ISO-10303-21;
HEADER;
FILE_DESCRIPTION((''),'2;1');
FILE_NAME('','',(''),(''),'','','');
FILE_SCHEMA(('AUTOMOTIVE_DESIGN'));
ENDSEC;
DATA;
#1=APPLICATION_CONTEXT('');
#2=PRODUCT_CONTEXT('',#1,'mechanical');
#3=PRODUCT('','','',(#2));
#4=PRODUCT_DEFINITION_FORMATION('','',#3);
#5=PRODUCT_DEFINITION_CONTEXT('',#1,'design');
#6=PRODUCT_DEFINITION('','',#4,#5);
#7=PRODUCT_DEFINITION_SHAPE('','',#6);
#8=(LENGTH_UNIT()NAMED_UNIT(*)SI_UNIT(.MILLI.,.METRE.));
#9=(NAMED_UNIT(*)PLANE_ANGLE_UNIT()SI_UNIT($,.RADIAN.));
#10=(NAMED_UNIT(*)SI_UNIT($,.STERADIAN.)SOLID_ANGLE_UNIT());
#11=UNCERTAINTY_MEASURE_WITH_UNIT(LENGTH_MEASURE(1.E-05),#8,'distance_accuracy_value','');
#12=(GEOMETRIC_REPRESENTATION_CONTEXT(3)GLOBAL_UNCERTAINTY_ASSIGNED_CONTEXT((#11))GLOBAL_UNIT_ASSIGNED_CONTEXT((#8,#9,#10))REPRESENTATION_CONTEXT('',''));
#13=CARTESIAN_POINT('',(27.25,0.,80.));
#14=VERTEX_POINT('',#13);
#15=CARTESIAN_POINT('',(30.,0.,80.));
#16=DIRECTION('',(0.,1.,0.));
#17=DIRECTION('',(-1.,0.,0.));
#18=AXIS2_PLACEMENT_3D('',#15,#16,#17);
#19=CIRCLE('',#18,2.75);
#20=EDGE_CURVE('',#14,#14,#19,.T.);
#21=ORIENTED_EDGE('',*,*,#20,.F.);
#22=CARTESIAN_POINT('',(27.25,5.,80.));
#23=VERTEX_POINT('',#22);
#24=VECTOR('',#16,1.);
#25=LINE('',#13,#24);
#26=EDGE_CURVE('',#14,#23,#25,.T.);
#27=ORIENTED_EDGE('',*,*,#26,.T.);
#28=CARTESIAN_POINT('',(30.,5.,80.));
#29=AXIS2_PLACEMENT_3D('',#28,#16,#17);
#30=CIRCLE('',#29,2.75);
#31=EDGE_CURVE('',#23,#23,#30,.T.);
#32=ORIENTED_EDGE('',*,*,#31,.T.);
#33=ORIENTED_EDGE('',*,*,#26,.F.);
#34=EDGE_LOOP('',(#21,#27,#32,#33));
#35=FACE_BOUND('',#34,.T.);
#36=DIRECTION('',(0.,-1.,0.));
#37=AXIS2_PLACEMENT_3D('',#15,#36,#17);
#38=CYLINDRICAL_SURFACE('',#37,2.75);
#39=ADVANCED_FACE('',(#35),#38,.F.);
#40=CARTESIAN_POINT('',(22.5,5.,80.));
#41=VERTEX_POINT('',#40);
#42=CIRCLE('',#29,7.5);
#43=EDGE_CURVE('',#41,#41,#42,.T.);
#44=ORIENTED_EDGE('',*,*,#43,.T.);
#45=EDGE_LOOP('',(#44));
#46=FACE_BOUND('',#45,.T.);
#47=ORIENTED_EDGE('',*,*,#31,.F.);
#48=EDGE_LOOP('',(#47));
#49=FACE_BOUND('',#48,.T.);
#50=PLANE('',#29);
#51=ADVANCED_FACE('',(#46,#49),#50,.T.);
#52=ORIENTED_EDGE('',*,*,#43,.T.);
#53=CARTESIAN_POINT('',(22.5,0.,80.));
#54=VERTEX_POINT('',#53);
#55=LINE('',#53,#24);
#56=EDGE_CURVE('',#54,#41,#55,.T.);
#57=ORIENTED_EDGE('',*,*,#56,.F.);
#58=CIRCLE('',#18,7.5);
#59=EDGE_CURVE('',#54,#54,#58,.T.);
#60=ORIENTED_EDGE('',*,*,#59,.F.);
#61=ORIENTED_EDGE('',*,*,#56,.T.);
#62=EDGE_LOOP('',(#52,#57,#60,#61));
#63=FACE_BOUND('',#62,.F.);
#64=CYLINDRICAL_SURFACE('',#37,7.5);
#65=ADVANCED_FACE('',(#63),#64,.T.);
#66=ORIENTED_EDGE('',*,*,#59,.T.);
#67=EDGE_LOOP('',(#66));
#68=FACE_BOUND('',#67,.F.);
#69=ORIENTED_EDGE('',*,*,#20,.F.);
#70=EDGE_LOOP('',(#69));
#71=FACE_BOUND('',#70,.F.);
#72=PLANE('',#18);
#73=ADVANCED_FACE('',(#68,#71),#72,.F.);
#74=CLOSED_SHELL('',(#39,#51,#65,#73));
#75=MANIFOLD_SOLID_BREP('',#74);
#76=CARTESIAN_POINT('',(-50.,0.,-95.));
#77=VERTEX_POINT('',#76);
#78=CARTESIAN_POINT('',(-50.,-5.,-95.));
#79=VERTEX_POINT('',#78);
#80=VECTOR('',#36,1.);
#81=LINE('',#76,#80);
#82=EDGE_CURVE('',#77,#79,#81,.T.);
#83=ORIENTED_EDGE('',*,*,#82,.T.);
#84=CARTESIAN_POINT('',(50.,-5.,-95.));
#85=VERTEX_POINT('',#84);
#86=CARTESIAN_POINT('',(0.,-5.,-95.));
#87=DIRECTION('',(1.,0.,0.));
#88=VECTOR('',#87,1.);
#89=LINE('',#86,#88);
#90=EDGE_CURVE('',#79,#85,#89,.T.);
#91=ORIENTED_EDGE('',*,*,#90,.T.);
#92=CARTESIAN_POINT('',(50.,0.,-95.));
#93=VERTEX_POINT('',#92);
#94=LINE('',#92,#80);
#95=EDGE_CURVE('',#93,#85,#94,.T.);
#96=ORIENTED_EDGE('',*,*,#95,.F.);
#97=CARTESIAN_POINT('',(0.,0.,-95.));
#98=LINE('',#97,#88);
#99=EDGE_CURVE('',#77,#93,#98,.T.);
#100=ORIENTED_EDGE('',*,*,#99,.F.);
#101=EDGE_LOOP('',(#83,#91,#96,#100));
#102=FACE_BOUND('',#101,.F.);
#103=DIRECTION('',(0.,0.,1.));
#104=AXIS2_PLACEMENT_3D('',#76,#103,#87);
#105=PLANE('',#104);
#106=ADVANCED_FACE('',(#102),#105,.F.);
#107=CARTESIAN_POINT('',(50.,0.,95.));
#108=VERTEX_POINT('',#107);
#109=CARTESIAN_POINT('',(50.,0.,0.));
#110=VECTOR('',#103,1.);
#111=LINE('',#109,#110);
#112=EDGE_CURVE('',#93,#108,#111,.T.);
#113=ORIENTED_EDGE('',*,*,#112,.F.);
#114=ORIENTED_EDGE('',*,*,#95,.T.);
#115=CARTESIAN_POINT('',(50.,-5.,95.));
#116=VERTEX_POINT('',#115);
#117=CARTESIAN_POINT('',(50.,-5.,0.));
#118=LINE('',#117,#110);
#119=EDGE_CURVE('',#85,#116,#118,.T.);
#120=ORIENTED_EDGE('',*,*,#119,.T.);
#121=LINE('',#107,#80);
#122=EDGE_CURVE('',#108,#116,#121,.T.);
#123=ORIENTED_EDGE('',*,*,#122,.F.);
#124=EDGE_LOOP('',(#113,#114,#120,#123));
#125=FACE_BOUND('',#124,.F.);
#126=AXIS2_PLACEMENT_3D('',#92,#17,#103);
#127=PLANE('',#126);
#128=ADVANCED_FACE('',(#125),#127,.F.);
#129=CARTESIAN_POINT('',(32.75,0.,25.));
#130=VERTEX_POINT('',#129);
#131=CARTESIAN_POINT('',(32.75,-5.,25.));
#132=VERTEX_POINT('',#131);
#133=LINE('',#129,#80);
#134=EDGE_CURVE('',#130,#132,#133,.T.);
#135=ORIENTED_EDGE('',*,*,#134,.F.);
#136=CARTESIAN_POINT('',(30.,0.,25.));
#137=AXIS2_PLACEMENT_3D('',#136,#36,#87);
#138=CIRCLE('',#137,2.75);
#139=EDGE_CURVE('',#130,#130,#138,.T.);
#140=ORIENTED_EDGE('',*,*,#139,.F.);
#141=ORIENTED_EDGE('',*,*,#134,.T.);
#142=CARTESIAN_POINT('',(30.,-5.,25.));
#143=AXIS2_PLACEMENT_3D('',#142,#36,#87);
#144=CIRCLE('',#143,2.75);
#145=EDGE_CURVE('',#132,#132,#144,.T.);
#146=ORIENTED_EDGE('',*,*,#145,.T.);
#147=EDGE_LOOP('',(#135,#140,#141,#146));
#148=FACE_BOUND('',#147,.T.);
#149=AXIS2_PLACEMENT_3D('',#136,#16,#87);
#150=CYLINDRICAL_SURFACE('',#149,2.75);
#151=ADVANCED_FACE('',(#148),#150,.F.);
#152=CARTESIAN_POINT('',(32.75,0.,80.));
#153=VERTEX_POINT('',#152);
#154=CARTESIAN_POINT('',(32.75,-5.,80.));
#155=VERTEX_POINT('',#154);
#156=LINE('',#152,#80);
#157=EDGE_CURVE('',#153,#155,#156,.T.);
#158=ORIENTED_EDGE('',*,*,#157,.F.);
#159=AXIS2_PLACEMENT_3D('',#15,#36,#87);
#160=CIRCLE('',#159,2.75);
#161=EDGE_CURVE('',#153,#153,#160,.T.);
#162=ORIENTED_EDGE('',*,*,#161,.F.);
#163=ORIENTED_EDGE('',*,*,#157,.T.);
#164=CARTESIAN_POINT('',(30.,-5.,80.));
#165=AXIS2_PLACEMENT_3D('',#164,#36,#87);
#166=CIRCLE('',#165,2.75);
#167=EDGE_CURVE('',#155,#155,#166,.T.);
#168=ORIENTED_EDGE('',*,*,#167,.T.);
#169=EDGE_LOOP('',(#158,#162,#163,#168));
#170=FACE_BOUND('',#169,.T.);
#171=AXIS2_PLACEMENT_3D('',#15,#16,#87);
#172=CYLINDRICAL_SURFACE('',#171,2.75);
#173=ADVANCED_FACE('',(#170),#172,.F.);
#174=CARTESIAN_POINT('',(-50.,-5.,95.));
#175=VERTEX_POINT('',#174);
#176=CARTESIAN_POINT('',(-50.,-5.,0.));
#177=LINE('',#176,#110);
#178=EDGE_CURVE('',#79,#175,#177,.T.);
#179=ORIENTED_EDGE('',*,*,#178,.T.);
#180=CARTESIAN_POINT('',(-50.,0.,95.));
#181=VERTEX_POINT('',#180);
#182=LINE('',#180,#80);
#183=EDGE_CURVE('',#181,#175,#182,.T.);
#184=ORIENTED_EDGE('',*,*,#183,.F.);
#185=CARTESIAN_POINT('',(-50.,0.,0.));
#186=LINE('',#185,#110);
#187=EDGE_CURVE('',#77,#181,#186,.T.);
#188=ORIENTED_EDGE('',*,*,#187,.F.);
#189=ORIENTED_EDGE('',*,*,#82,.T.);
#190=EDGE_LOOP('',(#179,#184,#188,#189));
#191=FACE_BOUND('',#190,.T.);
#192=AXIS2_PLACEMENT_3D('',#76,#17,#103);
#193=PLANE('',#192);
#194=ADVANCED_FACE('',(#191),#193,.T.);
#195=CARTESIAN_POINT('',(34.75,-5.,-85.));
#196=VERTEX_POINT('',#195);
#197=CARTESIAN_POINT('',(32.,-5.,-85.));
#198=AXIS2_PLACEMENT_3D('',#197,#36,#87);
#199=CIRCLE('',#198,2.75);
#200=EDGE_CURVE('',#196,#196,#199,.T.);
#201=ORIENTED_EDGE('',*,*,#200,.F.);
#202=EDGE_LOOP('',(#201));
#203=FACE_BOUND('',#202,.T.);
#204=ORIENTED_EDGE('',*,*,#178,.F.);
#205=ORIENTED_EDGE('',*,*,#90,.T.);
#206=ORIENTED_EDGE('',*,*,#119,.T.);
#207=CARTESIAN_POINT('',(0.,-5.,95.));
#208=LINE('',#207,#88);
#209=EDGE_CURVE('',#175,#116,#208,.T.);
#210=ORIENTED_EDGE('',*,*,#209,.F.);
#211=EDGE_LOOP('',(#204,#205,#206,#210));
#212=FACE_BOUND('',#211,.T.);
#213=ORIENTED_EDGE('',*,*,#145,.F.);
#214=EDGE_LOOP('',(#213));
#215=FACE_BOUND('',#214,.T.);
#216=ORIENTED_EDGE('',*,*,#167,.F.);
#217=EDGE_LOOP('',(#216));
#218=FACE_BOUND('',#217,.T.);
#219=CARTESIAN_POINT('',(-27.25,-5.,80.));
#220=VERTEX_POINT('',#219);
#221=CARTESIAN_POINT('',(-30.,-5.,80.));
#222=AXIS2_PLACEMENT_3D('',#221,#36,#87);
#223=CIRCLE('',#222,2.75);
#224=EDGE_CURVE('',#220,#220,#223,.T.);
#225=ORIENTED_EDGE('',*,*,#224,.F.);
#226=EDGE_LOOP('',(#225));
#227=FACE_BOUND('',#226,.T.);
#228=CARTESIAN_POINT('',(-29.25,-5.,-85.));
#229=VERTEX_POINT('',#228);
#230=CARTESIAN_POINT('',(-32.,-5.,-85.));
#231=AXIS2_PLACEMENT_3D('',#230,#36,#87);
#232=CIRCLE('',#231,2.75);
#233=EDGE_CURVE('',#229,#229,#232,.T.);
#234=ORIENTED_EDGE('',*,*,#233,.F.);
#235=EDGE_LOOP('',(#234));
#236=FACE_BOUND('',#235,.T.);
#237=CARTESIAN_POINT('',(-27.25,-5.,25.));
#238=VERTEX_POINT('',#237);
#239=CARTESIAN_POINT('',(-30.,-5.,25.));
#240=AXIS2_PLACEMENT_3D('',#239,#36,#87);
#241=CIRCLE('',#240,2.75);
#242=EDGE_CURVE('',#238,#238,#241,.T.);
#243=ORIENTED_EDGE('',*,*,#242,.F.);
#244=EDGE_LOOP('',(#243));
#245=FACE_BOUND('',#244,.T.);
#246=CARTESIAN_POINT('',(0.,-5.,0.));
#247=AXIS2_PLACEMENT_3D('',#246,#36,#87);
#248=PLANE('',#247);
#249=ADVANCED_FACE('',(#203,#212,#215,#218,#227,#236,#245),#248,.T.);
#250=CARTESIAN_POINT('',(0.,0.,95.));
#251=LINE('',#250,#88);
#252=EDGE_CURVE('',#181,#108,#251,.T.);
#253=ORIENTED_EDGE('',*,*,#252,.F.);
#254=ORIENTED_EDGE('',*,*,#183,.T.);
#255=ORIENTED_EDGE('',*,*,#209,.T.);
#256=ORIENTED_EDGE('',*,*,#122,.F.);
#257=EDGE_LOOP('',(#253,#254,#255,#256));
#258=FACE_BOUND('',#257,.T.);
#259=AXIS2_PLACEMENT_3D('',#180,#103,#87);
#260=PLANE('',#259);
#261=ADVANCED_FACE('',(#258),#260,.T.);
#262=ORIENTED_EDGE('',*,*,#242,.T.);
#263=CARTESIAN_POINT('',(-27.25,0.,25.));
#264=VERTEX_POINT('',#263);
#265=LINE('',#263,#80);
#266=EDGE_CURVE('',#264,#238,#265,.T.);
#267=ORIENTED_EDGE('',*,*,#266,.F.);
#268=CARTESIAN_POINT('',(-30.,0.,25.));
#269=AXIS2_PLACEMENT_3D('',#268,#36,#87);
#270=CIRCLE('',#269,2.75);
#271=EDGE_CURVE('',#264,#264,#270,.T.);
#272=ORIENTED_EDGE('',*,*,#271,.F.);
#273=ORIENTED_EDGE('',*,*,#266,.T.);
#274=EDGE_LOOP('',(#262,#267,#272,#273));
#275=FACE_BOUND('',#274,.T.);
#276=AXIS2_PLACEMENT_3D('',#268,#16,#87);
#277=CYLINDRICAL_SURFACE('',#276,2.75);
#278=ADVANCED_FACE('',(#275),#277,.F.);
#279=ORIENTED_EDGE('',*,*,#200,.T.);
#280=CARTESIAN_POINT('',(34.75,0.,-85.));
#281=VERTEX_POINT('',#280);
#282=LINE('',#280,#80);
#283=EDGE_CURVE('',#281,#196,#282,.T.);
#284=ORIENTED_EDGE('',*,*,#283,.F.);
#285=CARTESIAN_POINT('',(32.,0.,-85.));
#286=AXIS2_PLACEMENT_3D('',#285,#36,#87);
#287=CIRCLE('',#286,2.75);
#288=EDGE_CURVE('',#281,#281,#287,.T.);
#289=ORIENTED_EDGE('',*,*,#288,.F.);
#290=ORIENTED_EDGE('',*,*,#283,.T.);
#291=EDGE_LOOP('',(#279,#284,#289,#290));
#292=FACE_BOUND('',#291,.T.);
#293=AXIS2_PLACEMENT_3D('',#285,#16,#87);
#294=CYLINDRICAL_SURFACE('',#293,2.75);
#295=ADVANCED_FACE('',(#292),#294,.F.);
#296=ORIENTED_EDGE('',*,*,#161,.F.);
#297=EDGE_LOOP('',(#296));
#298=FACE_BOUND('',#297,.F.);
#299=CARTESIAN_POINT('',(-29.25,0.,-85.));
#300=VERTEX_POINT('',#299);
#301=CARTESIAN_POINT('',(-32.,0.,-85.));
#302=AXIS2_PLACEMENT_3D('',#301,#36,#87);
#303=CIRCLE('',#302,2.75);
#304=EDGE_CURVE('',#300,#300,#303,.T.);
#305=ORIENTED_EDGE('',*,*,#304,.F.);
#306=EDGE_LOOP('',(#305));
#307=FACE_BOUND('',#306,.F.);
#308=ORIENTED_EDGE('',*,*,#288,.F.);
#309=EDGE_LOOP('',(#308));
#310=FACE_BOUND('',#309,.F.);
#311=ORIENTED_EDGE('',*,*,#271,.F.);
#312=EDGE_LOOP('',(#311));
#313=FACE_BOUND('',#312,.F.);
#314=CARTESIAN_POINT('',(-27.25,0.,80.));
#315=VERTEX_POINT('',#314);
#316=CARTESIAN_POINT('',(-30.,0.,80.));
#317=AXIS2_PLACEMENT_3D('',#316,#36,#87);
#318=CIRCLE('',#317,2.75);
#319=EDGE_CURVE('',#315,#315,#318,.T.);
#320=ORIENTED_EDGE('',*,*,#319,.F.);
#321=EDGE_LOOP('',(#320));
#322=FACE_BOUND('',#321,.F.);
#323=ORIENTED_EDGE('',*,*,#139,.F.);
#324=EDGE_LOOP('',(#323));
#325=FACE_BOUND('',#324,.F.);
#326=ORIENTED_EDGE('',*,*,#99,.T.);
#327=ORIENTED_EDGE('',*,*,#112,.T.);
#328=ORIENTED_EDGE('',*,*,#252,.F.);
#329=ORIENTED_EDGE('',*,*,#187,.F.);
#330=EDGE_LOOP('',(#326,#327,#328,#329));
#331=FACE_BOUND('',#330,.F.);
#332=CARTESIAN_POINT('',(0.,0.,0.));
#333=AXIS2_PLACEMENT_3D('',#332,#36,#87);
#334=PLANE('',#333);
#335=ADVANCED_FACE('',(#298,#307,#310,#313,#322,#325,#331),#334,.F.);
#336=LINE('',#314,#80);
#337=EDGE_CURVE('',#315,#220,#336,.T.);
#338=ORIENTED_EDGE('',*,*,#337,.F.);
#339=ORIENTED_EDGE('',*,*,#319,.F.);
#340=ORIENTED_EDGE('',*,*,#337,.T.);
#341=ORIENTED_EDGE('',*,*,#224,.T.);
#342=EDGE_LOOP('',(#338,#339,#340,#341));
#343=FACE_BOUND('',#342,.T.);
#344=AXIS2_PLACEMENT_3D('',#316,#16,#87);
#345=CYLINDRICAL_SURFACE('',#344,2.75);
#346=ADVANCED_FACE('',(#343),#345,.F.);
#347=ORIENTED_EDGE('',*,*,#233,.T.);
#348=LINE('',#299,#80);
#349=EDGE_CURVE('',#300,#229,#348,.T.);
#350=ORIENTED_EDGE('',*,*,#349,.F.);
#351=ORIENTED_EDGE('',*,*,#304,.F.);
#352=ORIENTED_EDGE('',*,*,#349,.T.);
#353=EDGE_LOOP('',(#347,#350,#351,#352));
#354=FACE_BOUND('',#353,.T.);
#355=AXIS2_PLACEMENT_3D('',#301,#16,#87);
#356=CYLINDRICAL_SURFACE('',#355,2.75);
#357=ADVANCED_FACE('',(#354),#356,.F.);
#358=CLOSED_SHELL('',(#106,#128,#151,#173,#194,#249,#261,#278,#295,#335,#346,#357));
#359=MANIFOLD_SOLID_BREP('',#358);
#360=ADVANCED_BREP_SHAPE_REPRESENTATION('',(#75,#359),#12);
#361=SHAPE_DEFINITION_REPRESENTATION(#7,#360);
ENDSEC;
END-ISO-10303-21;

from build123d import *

# Parameters (mm, degrees)
F0_W     = 100
F0_H     = 190
F0_R     = 2.75
F1_DEPTH = 5
F3_R     = 7.5
F3_R_2   = 2.75
F4_DEPTH = 5


with BuildPart() as f1:
    # F0 (on Front) → F1 (new body)
    with BuildSketch(Plane.XZ):
        Rectangle(F0_W, F0_H)
        with Locations((-32, -85)):
            Circle(F0_R, mode=Mode.SUBTRACT)
        with Locations((32, -85)):
            Circle(F0_R, mode=Mode.SUBTRACT)
        with Locations((-30, 25)):
            Circle(F0_R, mode=Mode.SUBTRACT)
        with Locations((-30, 80)):
            Circle(F0_R, mode=Mode.SUBTRACT)
        with Locations((30, 25)):
            Circle(F0_R, mode=Mode.SUBTRACT)
        with Locations((30, 80)):
            Circle(F0_R, mode=Mode.SUBTRACT)
    extrude(amount=F1_DEPTH)


with BuildPart() as f4:
    # F3 (on face) → F4 (new body)
    with BuildSketch(Plane(origin=(0, 0, 0), x_dir=(-1, 0, 0), z_dir=(0, 1, 0))):
        with Locations((-30, 80)):
            Circle(F3_R)
        with Locations((-30, 80)):
            Circle(F3_R_2, mode=Mode.SUBTRACT)
    extrude(amount=F4_DEPTH)


solid = Compound([f1.part, f4.part])
